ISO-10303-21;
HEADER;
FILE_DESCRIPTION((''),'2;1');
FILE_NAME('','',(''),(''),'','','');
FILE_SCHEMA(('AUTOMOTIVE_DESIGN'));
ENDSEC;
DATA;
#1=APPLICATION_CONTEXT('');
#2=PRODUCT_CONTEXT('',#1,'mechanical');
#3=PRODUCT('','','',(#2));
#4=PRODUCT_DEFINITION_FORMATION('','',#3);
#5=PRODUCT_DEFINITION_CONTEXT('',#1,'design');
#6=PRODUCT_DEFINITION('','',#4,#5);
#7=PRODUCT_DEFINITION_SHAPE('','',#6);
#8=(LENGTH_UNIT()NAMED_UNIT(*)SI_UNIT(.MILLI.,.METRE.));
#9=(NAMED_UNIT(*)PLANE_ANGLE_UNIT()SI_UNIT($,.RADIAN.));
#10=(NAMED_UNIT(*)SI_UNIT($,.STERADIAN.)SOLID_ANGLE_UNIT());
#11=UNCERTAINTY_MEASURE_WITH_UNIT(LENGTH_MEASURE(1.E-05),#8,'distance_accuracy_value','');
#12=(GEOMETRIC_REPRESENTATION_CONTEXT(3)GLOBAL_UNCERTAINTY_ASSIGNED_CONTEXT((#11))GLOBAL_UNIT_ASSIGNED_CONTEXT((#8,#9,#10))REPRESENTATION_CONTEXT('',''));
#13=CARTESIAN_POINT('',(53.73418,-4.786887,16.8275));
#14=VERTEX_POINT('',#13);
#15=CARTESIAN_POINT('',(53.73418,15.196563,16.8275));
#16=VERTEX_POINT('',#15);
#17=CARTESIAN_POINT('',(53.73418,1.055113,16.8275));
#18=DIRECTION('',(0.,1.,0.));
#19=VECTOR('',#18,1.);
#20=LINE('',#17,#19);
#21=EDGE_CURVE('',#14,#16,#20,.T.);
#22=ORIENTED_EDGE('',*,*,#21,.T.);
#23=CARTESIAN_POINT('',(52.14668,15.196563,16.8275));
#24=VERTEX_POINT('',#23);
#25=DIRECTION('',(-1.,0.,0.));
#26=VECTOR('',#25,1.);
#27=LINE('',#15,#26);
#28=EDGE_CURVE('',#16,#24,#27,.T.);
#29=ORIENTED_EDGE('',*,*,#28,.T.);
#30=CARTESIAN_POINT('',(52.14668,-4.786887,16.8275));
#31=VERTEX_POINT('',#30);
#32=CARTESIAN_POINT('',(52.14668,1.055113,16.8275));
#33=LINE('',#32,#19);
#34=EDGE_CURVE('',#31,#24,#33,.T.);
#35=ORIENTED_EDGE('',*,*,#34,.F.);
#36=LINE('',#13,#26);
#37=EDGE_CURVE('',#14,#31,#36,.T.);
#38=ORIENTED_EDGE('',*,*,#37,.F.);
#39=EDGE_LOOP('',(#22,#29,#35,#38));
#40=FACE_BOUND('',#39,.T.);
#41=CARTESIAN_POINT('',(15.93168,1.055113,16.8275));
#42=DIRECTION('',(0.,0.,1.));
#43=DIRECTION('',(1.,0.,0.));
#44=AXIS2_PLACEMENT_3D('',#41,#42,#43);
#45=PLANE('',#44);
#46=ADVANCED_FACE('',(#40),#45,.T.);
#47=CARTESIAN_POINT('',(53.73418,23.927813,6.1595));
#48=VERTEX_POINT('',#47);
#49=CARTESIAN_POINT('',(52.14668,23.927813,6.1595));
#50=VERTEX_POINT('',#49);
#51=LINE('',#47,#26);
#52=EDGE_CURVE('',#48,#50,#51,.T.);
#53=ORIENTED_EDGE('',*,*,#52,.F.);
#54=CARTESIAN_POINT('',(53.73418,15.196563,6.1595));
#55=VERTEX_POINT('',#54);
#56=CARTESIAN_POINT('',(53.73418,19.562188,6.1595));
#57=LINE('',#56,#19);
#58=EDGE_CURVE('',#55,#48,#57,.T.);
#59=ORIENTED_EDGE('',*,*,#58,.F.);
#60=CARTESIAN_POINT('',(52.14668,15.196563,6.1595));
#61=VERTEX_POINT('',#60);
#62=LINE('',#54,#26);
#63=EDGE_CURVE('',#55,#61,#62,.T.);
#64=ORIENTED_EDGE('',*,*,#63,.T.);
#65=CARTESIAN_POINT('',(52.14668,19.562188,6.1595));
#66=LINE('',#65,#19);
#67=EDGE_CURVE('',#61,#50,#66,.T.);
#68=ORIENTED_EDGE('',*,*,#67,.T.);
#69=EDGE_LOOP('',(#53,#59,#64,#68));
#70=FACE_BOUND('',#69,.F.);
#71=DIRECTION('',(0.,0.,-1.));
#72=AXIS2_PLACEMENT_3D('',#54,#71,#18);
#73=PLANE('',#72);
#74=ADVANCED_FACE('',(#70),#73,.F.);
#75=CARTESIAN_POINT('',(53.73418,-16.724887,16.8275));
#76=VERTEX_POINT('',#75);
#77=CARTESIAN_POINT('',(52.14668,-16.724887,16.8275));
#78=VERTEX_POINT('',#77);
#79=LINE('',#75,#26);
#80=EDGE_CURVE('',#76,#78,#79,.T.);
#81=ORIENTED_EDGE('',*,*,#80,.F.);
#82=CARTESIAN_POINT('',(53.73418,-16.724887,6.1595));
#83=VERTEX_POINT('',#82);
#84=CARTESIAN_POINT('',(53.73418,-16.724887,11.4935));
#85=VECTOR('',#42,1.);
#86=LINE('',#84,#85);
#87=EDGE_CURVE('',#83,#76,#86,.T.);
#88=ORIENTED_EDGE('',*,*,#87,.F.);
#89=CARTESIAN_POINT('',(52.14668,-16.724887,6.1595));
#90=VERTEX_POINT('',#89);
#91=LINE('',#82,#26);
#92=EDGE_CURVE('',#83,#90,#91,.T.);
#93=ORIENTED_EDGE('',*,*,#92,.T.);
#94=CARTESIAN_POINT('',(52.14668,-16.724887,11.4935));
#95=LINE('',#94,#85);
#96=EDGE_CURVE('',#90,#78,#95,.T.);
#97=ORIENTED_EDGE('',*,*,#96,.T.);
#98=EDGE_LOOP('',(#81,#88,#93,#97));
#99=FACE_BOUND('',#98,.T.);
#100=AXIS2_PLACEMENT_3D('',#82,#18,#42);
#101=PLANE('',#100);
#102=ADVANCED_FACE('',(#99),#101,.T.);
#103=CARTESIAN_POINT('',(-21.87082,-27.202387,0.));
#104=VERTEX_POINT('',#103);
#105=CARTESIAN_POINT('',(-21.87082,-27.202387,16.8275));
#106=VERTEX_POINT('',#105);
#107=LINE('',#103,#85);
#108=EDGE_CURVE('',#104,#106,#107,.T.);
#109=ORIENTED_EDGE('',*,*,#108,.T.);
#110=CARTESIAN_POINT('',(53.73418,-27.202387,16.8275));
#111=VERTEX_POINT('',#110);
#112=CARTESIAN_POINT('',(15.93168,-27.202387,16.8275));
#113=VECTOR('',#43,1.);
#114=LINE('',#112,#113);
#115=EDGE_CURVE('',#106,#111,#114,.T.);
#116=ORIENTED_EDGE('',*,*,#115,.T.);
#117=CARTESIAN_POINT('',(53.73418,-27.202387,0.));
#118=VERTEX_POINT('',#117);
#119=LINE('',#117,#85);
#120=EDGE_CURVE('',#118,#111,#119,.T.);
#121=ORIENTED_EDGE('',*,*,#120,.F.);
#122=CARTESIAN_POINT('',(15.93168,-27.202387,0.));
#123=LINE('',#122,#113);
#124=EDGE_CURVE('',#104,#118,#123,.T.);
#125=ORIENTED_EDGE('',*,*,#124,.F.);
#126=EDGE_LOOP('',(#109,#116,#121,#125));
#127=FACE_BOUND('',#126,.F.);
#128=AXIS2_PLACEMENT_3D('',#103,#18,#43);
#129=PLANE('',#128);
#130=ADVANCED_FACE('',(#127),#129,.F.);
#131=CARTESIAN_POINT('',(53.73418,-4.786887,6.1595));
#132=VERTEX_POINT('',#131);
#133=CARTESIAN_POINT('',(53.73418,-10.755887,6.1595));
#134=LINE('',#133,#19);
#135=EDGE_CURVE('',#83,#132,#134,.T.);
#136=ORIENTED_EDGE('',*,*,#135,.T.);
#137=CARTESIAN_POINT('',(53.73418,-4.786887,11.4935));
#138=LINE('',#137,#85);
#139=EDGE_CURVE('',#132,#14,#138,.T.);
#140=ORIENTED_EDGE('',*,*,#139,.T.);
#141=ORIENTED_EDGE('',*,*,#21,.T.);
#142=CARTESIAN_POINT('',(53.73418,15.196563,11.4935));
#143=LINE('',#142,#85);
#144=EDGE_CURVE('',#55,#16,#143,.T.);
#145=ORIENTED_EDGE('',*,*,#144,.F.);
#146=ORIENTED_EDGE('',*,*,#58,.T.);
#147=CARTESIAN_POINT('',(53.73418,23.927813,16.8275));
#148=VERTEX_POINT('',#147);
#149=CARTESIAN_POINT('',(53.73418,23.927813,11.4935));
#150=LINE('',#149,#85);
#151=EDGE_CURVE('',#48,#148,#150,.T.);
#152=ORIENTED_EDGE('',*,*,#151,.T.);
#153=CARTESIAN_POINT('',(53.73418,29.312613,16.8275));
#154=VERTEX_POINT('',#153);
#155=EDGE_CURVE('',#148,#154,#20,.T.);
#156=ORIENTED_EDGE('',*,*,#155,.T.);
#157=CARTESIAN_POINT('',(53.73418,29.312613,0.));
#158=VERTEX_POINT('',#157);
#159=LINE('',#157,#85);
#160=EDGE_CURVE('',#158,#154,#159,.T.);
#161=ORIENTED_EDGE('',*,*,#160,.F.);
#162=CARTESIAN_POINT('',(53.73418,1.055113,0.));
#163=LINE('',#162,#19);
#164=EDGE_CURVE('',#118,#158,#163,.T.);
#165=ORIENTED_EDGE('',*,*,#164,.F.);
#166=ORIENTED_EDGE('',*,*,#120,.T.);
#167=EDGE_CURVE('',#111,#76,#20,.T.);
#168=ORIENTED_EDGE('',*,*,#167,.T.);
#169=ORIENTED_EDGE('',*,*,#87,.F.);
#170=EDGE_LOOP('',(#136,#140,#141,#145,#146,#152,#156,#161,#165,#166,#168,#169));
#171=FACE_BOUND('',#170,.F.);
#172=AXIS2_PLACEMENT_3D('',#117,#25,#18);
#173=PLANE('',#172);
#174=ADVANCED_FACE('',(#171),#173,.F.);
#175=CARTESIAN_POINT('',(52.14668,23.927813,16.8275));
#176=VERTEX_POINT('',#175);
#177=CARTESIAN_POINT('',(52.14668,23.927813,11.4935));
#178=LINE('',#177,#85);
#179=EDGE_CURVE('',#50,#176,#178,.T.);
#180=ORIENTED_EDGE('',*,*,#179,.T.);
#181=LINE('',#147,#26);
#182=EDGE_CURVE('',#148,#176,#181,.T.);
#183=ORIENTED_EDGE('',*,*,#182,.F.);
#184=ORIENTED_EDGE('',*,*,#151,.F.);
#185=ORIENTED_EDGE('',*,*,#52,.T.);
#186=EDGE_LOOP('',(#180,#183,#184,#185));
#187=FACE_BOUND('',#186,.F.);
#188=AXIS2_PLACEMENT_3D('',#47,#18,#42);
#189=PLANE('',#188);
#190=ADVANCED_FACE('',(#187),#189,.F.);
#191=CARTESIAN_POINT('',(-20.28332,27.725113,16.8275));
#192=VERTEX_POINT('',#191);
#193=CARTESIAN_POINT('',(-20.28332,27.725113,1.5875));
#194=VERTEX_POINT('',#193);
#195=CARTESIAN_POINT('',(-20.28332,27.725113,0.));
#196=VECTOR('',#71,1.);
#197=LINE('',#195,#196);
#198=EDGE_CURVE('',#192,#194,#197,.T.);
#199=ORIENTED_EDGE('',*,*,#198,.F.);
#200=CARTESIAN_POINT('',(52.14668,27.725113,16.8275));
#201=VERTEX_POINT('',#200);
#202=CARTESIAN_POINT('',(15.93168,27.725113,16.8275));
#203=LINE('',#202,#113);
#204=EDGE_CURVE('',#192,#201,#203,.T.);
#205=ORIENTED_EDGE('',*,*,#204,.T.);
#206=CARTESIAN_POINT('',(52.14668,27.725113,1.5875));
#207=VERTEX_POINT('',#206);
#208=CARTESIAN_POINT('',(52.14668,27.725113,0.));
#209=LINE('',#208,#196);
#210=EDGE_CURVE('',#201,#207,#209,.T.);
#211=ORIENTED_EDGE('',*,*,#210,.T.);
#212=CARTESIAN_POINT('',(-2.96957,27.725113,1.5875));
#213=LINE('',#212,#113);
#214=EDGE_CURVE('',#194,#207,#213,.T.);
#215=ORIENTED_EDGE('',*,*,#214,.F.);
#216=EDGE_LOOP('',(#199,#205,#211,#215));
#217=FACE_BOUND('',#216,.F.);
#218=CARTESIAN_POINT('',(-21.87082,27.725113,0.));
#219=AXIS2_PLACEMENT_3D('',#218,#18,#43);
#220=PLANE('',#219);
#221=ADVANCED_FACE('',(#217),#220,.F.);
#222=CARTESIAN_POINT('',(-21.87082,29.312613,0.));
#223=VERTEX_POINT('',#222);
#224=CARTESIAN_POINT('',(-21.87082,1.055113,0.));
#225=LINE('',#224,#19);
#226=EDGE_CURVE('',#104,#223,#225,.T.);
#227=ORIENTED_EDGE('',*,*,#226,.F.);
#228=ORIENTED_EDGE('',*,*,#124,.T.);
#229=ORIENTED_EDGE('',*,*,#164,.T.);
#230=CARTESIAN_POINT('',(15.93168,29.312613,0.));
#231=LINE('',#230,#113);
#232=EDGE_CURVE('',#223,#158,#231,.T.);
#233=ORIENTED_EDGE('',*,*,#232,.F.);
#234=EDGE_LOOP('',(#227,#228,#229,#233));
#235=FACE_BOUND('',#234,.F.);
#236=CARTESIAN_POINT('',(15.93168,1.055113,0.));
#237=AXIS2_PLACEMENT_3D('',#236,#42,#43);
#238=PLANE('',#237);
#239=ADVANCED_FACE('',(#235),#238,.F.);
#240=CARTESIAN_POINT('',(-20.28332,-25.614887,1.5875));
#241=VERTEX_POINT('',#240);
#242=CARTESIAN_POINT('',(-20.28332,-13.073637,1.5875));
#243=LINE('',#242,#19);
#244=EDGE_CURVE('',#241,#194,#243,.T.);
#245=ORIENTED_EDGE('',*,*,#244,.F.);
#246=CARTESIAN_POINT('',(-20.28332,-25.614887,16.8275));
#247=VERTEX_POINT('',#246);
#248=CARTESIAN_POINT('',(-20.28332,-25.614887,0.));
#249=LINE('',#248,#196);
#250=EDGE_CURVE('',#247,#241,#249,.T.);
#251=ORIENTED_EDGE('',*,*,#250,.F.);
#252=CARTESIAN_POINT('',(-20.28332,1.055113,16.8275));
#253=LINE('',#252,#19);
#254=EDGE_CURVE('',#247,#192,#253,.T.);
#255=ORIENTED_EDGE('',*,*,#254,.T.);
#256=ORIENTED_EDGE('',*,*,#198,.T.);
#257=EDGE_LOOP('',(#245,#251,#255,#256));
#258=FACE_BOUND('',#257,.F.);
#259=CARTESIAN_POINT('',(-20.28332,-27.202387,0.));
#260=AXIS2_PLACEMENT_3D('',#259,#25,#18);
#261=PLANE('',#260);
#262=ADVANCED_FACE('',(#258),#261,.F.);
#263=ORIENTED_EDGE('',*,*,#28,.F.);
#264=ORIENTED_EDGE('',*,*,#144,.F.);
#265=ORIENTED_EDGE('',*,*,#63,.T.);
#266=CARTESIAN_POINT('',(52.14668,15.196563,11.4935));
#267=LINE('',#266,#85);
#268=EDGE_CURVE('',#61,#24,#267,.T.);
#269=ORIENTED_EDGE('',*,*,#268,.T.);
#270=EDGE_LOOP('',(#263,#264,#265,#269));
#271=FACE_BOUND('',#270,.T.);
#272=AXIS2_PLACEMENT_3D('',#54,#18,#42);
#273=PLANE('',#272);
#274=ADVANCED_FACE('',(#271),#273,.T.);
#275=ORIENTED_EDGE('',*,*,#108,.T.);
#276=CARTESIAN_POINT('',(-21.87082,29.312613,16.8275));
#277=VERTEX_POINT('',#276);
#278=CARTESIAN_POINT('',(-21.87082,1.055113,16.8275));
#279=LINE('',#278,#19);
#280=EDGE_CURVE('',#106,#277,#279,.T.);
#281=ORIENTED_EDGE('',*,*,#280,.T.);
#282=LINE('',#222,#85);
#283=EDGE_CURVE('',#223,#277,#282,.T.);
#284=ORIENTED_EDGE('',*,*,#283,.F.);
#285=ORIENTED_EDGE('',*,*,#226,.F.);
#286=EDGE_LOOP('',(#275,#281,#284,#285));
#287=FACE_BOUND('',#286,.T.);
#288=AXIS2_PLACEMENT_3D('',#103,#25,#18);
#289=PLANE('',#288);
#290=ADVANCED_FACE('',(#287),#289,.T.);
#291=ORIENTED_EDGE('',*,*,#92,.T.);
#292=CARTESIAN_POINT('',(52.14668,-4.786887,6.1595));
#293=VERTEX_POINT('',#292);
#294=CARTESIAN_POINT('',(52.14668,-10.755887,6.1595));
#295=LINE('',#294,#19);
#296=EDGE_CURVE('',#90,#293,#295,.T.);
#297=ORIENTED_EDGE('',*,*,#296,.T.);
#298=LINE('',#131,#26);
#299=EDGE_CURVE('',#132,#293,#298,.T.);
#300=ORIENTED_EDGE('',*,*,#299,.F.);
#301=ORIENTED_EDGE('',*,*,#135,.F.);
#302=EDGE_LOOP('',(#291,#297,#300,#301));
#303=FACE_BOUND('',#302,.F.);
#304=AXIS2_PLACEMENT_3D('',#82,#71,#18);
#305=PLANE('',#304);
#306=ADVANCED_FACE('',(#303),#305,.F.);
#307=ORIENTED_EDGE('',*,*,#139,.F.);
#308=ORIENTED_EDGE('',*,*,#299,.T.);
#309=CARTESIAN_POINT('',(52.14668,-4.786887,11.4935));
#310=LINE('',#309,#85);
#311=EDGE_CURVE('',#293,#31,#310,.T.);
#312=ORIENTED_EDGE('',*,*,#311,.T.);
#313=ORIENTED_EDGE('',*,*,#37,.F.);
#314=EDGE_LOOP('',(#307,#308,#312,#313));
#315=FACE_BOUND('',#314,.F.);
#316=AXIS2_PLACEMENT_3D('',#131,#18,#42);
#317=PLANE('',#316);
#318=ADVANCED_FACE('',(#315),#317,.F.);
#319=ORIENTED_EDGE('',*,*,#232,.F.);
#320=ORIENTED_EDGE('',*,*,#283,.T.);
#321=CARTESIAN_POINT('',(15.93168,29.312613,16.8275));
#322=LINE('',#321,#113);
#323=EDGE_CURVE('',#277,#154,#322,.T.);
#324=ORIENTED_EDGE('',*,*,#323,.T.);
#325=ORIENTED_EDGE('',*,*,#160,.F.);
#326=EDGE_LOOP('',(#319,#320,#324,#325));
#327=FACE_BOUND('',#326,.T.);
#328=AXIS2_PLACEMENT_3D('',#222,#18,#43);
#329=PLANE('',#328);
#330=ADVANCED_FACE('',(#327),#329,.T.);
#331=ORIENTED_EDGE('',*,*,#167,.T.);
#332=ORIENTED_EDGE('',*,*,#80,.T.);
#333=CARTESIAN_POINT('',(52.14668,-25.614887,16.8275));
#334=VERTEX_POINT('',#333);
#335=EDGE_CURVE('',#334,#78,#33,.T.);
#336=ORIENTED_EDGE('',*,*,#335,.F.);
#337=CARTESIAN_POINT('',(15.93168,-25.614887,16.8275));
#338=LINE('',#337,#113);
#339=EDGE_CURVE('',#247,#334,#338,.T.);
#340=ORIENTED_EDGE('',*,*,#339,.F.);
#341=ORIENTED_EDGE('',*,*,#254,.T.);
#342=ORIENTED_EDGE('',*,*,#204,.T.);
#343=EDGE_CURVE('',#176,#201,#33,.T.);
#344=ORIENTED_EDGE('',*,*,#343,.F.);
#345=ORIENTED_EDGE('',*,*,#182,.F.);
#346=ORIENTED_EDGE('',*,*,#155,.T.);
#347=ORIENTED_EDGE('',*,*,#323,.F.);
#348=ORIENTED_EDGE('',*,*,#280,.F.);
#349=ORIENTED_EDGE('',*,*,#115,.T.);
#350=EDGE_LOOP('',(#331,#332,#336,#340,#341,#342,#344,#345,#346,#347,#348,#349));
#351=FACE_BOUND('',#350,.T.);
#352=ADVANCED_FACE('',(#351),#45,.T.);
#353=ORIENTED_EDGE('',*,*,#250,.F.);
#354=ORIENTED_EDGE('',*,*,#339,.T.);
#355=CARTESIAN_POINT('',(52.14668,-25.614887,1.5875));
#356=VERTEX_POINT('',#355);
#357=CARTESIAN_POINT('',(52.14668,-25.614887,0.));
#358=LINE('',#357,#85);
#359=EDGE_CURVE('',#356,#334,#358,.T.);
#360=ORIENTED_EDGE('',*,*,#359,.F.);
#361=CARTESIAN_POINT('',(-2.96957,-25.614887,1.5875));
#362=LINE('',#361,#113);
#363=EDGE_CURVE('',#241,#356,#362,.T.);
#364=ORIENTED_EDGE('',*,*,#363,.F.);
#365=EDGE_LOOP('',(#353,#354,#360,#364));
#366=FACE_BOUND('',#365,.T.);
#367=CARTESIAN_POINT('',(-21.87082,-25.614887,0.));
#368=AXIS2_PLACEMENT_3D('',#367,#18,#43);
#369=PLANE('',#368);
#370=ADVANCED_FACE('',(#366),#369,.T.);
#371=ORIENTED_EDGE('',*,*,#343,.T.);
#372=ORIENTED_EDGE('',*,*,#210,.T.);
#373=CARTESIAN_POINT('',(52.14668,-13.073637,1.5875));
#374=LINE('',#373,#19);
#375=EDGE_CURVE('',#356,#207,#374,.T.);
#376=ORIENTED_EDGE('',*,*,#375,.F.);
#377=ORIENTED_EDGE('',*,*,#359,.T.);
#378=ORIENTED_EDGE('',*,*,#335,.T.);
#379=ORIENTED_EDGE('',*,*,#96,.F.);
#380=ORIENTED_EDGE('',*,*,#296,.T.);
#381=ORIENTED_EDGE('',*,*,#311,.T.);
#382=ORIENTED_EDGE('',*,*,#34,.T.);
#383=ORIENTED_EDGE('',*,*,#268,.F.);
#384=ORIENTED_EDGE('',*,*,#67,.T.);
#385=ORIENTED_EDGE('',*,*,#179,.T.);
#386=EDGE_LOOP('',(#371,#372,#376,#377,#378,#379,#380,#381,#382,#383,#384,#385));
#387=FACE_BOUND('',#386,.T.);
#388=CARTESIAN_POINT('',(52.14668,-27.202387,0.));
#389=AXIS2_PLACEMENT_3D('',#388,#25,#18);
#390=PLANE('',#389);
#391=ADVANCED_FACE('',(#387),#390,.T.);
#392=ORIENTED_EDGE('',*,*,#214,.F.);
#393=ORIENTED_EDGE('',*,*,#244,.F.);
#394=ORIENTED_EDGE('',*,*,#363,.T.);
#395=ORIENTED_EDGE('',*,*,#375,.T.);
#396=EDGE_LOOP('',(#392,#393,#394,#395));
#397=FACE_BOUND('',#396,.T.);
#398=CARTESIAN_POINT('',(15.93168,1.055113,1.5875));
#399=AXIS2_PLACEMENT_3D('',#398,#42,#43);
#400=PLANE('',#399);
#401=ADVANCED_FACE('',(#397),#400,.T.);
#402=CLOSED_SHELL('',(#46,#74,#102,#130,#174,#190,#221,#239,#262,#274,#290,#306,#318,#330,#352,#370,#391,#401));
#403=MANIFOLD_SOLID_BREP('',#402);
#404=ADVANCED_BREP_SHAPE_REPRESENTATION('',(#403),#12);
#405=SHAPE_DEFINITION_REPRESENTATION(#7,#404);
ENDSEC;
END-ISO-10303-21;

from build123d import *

# Parameters (mm, degrees)
F0_W     = 75.605
F0_H     = 56.515
F1_DEPTH = 16.8275
F2_T     = -1.5875
F3_W     = 11.938
F3_H     = 10.668
F3_W_2   = 8.73125
F4_DEPTH = 1.5875


with BuildPart() as f1:
    # F0 (on Top) → F1 (new body)
    with BuildSketch(Plane.XY):
        with Locations((15.93168, 1.055113)):
            Rectangle(F0_W, F0_H)
    extrude(amount=F1_DEPTH)

    # F2
    f2_openings = [f1.faces().sort_by_distance(p)[0] for p in [
        (15.93168, 1.055113, 16.8275),
    ]]
    offset(amount=F2_T, openings=f2_openings)

    # F3 (on face) → F4 (cut)
    with BuildSketch(Plane.YZ.offset(53.73418)):
        with Locations((-10.755887, 11.4935)):
            Rectangle(F3_W, F3_H)
        with Locations((19.562188, 11.4935)):
            Rectangle(F3_W_2, F3_H)
    extrude(amount=-F4_DEPTH, mode=Mode.SUBTRACT)


solid = f1.part
